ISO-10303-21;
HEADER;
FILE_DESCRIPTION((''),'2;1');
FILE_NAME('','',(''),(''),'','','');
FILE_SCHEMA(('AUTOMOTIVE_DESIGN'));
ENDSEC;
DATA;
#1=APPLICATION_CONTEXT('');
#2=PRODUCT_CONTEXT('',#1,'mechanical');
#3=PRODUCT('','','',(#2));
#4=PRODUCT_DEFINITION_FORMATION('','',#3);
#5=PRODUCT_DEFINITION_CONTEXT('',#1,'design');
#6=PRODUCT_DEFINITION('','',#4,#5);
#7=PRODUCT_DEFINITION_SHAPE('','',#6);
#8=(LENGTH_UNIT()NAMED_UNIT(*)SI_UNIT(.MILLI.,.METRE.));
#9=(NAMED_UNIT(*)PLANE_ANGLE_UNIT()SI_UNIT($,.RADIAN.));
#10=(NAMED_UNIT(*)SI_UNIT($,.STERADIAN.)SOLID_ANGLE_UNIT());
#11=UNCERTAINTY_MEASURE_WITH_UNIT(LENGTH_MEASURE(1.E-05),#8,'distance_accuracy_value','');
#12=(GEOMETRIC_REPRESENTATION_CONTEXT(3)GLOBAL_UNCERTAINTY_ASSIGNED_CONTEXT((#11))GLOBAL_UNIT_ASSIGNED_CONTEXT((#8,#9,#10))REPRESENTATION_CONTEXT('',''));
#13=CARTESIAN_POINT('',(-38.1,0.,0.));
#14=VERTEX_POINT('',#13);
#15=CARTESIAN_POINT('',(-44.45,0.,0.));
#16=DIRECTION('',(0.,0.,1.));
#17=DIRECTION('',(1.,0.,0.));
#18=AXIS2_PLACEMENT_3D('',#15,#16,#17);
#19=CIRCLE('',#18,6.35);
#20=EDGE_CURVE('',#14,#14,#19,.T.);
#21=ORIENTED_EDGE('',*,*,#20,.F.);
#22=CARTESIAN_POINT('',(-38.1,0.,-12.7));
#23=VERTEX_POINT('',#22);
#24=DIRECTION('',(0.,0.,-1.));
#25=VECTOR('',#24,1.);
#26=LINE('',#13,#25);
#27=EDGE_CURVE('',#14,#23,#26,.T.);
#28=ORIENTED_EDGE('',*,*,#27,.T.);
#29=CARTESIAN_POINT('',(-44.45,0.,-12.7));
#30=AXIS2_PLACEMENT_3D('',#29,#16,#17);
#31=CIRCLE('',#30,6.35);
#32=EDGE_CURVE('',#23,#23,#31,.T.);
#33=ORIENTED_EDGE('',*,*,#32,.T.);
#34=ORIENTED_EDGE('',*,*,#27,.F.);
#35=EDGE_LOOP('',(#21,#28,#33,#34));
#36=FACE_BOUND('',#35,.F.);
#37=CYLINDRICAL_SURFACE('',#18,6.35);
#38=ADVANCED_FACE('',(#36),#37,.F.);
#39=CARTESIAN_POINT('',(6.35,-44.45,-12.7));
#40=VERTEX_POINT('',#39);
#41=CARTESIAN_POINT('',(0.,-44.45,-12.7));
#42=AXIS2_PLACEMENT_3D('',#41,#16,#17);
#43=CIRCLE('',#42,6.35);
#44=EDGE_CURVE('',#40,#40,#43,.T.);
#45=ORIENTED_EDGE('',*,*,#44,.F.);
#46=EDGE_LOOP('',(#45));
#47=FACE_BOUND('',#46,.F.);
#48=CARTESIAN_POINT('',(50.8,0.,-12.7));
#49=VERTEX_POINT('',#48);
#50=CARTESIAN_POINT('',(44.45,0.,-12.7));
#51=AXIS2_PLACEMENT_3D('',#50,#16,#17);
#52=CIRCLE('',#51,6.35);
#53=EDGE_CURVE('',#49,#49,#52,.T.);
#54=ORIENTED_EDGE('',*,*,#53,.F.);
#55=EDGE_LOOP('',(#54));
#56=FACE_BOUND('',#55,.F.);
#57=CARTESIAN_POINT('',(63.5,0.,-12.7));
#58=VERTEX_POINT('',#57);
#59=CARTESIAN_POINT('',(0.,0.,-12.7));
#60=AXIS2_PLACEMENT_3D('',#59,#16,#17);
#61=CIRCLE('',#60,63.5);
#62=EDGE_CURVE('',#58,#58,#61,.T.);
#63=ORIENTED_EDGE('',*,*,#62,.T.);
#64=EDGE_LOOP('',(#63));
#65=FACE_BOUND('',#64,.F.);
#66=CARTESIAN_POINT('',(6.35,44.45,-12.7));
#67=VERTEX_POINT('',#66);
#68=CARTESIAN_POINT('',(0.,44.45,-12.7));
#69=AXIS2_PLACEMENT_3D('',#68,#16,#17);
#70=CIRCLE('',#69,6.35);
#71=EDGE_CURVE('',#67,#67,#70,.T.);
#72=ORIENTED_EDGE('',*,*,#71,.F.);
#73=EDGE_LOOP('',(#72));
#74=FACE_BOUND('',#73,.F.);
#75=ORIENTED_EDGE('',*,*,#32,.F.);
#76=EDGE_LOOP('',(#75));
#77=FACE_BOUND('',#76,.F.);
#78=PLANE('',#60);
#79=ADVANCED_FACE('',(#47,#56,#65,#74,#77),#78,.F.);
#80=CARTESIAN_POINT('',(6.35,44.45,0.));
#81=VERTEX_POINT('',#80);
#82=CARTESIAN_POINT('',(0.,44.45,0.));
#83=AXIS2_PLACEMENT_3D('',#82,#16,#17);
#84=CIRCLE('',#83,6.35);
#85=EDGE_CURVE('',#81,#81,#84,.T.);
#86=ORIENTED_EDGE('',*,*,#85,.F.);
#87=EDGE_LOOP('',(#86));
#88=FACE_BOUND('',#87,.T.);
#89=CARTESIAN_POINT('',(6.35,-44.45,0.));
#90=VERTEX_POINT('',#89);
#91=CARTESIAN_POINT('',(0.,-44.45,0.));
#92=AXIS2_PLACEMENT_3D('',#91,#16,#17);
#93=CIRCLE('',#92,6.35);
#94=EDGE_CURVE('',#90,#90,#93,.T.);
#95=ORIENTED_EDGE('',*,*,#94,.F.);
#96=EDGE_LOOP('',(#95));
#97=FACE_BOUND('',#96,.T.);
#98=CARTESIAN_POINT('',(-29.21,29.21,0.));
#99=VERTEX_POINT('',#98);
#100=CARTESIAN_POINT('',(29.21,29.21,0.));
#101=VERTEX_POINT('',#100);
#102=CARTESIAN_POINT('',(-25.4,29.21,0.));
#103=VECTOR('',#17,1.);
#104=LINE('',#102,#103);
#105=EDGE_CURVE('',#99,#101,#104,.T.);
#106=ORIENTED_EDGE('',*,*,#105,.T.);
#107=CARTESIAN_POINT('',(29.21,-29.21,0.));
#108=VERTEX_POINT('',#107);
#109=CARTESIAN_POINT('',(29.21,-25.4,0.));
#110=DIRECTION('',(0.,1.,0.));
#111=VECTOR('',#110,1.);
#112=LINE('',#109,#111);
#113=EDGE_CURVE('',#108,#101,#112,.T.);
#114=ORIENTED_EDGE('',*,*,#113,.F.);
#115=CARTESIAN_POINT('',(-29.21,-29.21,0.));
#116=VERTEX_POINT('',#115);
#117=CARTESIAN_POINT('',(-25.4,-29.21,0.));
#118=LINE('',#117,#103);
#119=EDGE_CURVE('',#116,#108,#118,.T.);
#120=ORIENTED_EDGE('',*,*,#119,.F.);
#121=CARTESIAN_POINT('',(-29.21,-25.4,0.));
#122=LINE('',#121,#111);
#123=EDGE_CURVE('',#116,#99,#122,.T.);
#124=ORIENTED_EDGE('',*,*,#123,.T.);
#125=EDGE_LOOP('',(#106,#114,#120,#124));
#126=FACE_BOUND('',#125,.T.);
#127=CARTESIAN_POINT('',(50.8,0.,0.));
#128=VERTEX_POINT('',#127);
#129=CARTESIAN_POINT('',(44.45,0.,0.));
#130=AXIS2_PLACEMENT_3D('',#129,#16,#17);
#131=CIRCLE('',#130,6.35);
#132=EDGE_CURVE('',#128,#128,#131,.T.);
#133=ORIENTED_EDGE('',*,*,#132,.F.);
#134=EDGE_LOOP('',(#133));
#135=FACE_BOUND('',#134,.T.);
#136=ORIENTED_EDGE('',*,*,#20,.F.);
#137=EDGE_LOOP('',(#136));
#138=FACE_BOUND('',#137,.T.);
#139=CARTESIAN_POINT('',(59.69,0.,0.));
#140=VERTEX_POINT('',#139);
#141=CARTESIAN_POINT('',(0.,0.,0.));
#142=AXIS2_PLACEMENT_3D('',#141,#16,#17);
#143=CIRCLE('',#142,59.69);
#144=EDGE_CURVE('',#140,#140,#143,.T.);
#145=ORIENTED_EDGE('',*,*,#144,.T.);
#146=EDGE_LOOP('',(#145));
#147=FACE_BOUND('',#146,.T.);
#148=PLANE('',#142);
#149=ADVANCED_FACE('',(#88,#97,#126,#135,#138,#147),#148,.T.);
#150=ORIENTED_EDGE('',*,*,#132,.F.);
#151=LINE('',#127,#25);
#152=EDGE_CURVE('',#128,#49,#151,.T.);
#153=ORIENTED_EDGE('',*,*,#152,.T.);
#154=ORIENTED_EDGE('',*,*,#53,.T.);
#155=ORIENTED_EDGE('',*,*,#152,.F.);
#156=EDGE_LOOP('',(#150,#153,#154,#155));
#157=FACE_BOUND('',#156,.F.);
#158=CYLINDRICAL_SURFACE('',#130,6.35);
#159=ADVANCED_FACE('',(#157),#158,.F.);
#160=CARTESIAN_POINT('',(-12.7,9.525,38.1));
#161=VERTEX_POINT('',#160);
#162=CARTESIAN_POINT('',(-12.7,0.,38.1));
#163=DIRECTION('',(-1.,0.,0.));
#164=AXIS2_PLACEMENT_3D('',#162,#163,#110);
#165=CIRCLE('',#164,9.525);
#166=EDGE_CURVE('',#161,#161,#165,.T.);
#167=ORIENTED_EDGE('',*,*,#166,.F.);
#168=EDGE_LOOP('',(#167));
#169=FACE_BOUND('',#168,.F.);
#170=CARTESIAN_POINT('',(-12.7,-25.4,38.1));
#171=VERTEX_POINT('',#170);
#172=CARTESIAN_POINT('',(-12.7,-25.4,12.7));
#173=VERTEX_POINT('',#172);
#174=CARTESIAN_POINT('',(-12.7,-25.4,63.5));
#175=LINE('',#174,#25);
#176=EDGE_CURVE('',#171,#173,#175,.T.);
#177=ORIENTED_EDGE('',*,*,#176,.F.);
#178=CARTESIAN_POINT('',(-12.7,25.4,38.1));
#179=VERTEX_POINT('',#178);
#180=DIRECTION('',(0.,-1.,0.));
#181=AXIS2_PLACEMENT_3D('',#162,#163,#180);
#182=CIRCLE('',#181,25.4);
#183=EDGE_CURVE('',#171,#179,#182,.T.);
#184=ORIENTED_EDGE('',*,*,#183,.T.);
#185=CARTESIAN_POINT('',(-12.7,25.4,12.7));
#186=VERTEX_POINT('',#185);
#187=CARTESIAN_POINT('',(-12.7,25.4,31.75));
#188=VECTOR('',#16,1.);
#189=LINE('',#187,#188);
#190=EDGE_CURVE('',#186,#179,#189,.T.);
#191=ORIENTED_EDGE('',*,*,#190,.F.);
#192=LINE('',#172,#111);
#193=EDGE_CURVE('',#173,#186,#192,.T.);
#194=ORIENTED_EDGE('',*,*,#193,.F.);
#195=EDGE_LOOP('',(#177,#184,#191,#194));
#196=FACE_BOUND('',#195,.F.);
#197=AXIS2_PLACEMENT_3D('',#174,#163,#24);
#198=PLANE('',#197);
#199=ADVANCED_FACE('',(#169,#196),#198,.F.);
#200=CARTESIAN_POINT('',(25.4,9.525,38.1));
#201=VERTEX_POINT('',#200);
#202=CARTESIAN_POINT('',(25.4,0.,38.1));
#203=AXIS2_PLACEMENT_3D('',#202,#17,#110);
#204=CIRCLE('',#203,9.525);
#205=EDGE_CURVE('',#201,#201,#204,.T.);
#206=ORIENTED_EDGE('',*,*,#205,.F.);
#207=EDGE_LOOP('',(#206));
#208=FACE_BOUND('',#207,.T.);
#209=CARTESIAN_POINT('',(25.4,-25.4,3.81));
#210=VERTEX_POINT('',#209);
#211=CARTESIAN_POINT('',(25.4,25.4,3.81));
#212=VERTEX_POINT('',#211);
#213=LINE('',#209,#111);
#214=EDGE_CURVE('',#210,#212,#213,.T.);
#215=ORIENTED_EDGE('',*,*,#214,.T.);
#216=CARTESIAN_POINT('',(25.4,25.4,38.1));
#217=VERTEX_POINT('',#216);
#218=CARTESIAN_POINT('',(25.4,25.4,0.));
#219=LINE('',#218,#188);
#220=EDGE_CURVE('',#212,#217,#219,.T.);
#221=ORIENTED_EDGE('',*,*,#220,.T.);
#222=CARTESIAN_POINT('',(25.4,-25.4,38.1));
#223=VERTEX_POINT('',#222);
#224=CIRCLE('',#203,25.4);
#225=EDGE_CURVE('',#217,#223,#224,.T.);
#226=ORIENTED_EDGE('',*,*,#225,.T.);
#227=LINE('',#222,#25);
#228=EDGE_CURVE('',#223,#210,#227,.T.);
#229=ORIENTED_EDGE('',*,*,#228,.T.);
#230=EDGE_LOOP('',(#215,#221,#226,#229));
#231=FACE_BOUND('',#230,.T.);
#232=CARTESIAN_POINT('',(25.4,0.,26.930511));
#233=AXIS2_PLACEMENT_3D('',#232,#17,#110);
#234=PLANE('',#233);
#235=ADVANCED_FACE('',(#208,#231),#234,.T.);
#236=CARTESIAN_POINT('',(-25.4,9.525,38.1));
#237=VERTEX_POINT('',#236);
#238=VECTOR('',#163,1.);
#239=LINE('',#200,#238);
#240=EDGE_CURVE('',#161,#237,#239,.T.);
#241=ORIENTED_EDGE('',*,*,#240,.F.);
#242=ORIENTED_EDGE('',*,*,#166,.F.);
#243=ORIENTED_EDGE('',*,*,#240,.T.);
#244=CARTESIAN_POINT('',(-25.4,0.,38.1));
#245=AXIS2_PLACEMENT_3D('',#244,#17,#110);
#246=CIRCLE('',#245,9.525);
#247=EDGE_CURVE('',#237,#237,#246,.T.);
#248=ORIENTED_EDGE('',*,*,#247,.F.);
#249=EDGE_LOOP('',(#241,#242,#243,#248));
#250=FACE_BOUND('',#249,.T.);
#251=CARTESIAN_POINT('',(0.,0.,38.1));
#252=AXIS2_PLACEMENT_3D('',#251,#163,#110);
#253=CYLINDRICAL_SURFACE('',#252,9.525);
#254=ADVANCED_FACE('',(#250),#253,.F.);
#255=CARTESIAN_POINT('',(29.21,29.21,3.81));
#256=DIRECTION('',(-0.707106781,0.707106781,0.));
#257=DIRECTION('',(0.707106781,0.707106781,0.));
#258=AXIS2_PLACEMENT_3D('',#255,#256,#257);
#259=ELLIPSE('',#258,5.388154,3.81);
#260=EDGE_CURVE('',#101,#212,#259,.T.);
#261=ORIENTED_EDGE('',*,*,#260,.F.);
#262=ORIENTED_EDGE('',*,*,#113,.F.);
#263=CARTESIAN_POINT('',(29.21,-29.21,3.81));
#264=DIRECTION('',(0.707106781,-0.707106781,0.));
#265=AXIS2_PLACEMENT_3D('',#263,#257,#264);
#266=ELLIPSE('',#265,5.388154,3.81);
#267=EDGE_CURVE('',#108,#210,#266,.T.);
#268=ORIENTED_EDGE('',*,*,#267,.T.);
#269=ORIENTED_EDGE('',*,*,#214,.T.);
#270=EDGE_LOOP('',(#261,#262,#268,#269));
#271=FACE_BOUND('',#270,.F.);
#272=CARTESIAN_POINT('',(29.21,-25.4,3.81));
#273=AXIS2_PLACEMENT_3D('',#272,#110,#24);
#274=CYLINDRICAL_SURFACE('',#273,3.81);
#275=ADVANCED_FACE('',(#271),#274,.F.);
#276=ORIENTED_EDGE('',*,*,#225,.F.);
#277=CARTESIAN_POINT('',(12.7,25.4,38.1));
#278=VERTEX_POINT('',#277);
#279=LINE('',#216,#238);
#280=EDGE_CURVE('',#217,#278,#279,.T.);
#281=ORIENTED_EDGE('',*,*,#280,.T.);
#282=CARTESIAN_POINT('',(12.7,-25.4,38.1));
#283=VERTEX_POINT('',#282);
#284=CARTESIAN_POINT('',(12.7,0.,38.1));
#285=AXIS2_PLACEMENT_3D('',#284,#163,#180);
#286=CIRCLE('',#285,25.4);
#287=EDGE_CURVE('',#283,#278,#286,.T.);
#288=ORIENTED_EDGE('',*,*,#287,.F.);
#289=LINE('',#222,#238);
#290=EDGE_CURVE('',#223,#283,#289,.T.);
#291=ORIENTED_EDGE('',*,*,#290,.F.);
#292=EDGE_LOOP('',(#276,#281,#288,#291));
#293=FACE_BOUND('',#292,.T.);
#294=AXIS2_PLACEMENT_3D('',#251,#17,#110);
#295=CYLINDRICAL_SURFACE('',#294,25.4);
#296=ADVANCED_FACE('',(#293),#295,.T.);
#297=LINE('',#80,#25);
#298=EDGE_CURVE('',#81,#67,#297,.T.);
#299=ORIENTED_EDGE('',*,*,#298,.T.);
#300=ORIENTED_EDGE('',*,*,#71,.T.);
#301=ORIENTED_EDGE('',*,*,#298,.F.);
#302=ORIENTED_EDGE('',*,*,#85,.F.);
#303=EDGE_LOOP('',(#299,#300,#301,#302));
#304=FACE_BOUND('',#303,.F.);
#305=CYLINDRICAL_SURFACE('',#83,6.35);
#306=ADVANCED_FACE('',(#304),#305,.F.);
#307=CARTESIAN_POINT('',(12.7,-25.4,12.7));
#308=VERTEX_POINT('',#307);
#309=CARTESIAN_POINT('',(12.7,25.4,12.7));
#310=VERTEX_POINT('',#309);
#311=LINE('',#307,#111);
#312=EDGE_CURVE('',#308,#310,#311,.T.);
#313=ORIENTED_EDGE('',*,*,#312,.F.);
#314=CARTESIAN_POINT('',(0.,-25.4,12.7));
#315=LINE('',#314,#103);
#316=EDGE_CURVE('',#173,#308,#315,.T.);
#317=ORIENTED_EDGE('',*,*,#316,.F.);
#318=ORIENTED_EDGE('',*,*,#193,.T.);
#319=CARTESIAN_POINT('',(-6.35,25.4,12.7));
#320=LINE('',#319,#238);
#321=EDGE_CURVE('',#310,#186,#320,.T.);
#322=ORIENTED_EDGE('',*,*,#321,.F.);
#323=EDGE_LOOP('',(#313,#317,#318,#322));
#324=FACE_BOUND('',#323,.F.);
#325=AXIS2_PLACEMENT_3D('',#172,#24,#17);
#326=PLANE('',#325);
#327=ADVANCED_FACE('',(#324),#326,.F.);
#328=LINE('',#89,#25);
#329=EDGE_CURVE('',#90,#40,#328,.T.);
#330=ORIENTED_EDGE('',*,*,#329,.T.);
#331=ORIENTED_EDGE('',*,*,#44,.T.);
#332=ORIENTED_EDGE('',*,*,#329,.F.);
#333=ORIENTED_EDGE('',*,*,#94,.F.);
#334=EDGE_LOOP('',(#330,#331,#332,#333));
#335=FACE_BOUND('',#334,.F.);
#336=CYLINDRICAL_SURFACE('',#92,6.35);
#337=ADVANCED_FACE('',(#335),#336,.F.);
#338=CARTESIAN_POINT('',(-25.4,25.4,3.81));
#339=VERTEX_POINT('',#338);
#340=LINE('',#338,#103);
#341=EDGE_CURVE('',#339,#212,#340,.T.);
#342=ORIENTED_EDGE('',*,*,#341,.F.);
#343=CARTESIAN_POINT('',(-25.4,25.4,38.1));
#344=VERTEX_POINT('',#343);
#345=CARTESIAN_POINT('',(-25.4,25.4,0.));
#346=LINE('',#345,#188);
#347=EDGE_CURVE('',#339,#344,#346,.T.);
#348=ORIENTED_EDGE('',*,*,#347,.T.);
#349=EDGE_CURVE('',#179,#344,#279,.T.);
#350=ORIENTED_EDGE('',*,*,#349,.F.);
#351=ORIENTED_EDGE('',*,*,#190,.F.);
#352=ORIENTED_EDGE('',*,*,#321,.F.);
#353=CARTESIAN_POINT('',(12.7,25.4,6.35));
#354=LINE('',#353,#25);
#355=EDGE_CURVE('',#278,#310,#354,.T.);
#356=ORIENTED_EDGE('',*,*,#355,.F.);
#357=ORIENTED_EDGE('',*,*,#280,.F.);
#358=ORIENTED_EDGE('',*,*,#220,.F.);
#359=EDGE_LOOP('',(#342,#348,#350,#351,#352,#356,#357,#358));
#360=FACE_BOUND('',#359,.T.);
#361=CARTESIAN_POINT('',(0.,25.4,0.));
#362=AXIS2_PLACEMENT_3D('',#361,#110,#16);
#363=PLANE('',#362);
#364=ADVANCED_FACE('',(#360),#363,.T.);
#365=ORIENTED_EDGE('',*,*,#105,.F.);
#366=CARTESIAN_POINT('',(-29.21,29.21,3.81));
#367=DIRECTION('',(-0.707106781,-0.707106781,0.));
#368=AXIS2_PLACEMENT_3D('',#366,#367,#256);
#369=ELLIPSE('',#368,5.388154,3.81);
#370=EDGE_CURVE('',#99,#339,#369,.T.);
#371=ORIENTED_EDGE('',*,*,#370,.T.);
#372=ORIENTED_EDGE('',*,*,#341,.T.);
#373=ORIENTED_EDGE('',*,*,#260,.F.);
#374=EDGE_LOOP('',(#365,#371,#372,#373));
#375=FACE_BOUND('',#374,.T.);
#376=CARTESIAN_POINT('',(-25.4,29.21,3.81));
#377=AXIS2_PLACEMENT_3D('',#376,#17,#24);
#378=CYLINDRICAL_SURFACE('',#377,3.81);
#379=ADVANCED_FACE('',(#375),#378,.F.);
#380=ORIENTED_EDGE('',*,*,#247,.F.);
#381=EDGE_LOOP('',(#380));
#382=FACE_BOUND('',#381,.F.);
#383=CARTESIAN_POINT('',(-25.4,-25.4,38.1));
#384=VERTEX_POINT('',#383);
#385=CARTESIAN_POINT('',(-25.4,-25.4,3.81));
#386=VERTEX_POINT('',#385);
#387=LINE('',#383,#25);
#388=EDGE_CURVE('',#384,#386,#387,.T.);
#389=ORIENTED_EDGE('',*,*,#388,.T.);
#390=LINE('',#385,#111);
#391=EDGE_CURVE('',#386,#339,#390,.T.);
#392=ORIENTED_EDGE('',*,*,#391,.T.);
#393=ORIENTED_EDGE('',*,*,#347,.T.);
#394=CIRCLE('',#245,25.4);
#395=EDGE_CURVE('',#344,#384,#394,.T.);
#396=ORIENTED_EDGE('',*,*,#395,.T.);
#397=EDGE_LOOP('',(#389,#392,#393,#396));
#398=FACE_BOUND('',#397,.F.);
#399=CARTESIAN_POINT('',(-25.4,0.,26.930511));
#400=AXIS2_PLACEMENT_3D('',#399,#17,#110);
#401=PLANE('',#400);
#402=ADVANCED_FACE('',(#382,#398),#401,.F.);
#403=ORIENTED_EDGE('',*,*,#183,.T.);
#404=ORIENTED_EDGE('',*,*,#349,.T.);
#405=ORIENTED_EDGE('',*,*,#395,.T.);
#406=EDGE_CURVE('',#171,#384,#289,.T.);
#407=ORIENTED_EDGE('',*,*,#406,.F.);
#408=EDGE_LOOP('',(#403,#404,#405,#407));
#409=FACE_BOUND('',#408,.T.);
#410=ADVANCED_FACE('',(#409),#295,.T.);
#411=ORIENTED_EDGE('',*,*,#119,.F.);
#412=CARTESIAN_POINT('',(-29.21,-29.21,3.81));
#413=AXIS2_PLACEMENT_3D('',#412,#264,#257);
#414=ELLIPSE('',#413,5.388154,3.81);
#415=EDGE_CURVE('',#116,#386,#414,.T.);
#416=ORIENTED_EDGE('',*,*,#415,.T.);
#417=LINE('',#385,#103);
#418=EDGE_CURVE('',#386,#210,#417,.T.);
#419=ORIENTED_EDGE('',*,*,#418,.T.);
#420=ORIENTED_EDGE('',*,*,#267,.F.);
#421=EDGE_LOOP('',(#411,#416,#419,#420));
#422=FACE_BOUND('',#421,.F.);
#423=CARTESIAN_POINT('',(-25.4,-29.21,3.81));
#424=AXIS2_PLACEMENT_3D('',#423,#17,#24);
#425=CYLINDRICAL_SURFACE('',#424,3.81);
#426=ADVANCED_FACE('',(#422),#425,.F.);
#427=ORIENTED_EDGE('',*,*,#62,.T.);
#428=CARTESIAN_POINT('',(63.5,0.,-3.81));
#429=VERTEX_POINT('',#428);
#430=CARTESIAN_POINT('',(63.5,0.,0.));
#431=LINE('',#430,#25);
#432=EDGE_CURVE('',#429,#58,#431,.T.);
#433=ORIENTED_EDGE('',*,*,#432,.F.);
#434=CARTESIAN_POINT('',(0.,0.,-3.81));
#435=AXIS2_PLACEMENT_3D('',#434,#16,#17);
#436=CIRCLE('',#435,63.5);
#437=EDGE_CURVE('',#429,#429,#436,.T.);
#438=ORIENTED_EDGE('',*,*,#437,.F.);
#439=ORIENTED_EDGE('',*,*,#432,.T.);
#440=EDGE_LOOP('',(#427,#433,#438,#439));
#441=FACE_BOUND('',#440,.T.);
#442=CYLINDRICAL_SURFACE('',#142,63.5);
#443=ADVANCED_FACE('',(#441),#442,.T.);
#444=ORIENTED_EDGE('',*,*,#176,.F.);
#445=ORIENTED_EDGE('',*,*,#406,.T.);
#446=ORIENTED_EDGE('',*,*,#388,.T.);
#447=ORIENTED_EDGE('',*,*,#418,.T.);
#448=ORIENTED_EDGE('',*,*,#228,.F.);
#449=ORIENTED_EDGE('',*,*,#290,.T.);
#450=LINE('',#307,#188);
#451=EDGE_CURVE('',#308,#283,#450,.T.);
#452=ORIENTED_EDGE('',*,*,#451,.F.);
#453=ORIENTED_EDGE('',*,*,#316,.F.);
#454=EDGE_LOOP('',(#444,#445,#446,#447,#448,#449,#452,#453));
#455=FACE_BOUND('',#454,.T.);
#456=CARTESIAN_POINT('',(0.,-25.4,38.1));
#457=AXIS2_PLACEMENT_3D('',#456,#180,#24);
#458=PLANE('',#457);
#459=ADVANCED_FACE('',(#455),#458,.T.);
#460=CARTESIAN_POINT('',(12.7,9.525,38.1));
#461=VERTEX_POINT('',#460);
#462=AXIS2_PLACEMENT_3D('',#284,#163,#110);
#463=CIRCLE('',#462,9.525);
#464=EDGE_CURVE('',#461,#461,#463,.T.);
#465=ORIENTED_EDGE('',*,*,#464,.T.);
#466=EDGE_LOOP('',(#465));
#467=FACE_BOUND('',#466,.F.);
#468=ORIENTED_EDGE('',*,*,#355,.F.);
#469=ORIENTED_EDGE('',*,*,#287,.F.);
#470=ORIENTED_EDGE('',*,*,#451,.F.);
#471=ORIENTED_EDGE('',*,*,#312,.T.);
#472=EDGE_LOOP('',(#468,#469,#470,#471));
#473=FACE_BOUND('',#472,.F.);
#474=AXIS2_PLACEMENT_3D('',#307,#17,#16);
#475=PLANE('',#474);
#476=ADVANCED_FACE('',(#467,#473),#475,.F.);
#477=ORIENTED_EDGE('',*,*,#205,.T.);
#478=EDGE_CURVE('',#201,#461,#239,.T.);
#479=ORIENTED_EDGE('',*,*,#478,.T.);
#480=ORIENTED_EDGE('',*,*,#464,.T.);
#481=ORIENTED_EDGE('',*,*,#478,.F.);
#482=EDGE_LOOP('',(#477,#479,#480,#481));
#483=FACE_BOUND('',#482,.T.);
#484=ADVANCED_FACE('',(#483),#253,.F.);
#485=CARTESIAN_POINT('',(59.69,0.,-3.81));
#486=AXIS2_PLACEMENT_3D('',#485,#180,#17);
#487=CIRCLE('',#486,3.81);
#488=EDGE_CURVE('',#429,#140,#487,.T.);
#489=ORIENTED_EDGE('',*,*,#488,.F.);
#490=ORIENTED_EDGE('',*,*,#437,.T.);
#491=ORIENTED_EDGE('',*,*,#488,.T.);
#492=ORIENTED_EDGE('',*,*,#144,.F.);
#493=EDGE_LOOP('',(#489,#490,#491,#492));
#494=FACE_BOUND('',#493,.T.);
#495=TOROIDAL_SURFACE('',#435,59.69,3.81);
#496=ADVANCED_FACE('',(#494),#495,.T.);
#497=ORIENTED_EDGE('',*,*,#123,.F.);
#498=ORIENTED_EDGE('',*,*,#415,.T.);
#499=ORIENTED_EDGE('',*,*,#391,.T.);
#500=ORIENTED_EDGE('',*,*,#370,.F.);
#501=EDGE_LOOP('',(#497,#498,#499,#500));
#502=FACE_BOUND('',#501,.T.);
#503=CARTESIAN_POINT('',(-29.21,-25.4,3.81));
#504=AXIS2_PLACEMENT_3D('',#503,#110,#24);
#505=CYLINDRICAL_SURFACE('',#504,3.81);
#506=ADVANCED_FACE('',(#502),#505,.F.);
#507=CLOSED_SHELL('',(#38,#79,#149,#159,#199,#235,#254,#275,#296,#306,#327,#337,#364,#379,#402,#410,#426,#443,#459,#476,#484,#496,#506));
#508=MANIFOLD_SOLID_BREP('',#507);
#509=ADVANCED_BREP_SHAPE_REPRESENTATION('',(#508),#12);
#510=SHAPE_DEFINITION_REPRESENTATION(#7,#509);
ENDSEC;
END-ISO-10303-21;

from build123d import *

# Parameters (mm, degrees)
F0_R     = 63.5
F0_R_2   = 6.35
F1_DEPTH = 12.7
F2_R     = 9.525
F3_DEPTH = 25.4
F4_W     = 25.4
F4_H     = 25.4
F5_DEPTH = 88.901
F6_R     = 3.81


with BuildPart() as f1:
    # F0 (on Top) → F1 (new body)
    with BuildSketch(Plane.XY):
        Circle(F0_R)
        with Locations((0, -44.45)):
            Circle(F0_R_2, mode=Mode.SUBTRACT)
        with Locations((-44.45, 0)):
            Circle(F0_R_2, mode=Mode.SUBTRACT)
        with Locations((44.45, 0)):
            Circle(F0_R_2, mode=Mode.SUBTRACT)
        with Locations((0, 44.45)):
            Circle(F0_R_2, mode=Mode.SUBTRACT)
    extrude(amount=-F1_DEPTH)

    # F2 (on Right) → F3 (join, symmetric)
    with BuildSketch(Plane.YZ):
        with BuildLine():
            Line((-25.4, 38.1), (-25.4, 0))
            Line((-25.4, 0), (25.4, 0))
            Line((25.4, 0), (25.4, 38.1))
            ThreePointArc((25.4, 38.1), (0, 63.5), (-25.4, 38.1))
        make_face()
        with Locations((0, 38.1)):
            Circle(F2_R, mode=Mode.SUBTRACT)
    extrude(amount=F3_DEPTH, both=True)

    # F4 (on face) → F5 (cut, through all)
    with BuildSketch(Plane.XZ.offset(25.4)):
        Polygon((0, 63.5), (-12.7, 63.5), (-12.7, 38.1), (12.7, 38.1), (12.7, 63.5), align=None)
        with Locations((0, 25.4)):
            Rectangle(F4_W, F4_H)
    extrude(amount=-F5_DEPTH, mode=Mode.SUBTRACT)

    # F6
    f6_edges = [f1.edges().sort_by_distance(p)[0] for p in [
        (0, -25.4, 0),
        (25.4, 0, 0),
        (-25.4, 0, 0),
        (0, 25.4, 0),
        (-63.5, 0, 0),
    ]]
    fillet(f6_edges, radius=F6_R)


solid = f1.part
